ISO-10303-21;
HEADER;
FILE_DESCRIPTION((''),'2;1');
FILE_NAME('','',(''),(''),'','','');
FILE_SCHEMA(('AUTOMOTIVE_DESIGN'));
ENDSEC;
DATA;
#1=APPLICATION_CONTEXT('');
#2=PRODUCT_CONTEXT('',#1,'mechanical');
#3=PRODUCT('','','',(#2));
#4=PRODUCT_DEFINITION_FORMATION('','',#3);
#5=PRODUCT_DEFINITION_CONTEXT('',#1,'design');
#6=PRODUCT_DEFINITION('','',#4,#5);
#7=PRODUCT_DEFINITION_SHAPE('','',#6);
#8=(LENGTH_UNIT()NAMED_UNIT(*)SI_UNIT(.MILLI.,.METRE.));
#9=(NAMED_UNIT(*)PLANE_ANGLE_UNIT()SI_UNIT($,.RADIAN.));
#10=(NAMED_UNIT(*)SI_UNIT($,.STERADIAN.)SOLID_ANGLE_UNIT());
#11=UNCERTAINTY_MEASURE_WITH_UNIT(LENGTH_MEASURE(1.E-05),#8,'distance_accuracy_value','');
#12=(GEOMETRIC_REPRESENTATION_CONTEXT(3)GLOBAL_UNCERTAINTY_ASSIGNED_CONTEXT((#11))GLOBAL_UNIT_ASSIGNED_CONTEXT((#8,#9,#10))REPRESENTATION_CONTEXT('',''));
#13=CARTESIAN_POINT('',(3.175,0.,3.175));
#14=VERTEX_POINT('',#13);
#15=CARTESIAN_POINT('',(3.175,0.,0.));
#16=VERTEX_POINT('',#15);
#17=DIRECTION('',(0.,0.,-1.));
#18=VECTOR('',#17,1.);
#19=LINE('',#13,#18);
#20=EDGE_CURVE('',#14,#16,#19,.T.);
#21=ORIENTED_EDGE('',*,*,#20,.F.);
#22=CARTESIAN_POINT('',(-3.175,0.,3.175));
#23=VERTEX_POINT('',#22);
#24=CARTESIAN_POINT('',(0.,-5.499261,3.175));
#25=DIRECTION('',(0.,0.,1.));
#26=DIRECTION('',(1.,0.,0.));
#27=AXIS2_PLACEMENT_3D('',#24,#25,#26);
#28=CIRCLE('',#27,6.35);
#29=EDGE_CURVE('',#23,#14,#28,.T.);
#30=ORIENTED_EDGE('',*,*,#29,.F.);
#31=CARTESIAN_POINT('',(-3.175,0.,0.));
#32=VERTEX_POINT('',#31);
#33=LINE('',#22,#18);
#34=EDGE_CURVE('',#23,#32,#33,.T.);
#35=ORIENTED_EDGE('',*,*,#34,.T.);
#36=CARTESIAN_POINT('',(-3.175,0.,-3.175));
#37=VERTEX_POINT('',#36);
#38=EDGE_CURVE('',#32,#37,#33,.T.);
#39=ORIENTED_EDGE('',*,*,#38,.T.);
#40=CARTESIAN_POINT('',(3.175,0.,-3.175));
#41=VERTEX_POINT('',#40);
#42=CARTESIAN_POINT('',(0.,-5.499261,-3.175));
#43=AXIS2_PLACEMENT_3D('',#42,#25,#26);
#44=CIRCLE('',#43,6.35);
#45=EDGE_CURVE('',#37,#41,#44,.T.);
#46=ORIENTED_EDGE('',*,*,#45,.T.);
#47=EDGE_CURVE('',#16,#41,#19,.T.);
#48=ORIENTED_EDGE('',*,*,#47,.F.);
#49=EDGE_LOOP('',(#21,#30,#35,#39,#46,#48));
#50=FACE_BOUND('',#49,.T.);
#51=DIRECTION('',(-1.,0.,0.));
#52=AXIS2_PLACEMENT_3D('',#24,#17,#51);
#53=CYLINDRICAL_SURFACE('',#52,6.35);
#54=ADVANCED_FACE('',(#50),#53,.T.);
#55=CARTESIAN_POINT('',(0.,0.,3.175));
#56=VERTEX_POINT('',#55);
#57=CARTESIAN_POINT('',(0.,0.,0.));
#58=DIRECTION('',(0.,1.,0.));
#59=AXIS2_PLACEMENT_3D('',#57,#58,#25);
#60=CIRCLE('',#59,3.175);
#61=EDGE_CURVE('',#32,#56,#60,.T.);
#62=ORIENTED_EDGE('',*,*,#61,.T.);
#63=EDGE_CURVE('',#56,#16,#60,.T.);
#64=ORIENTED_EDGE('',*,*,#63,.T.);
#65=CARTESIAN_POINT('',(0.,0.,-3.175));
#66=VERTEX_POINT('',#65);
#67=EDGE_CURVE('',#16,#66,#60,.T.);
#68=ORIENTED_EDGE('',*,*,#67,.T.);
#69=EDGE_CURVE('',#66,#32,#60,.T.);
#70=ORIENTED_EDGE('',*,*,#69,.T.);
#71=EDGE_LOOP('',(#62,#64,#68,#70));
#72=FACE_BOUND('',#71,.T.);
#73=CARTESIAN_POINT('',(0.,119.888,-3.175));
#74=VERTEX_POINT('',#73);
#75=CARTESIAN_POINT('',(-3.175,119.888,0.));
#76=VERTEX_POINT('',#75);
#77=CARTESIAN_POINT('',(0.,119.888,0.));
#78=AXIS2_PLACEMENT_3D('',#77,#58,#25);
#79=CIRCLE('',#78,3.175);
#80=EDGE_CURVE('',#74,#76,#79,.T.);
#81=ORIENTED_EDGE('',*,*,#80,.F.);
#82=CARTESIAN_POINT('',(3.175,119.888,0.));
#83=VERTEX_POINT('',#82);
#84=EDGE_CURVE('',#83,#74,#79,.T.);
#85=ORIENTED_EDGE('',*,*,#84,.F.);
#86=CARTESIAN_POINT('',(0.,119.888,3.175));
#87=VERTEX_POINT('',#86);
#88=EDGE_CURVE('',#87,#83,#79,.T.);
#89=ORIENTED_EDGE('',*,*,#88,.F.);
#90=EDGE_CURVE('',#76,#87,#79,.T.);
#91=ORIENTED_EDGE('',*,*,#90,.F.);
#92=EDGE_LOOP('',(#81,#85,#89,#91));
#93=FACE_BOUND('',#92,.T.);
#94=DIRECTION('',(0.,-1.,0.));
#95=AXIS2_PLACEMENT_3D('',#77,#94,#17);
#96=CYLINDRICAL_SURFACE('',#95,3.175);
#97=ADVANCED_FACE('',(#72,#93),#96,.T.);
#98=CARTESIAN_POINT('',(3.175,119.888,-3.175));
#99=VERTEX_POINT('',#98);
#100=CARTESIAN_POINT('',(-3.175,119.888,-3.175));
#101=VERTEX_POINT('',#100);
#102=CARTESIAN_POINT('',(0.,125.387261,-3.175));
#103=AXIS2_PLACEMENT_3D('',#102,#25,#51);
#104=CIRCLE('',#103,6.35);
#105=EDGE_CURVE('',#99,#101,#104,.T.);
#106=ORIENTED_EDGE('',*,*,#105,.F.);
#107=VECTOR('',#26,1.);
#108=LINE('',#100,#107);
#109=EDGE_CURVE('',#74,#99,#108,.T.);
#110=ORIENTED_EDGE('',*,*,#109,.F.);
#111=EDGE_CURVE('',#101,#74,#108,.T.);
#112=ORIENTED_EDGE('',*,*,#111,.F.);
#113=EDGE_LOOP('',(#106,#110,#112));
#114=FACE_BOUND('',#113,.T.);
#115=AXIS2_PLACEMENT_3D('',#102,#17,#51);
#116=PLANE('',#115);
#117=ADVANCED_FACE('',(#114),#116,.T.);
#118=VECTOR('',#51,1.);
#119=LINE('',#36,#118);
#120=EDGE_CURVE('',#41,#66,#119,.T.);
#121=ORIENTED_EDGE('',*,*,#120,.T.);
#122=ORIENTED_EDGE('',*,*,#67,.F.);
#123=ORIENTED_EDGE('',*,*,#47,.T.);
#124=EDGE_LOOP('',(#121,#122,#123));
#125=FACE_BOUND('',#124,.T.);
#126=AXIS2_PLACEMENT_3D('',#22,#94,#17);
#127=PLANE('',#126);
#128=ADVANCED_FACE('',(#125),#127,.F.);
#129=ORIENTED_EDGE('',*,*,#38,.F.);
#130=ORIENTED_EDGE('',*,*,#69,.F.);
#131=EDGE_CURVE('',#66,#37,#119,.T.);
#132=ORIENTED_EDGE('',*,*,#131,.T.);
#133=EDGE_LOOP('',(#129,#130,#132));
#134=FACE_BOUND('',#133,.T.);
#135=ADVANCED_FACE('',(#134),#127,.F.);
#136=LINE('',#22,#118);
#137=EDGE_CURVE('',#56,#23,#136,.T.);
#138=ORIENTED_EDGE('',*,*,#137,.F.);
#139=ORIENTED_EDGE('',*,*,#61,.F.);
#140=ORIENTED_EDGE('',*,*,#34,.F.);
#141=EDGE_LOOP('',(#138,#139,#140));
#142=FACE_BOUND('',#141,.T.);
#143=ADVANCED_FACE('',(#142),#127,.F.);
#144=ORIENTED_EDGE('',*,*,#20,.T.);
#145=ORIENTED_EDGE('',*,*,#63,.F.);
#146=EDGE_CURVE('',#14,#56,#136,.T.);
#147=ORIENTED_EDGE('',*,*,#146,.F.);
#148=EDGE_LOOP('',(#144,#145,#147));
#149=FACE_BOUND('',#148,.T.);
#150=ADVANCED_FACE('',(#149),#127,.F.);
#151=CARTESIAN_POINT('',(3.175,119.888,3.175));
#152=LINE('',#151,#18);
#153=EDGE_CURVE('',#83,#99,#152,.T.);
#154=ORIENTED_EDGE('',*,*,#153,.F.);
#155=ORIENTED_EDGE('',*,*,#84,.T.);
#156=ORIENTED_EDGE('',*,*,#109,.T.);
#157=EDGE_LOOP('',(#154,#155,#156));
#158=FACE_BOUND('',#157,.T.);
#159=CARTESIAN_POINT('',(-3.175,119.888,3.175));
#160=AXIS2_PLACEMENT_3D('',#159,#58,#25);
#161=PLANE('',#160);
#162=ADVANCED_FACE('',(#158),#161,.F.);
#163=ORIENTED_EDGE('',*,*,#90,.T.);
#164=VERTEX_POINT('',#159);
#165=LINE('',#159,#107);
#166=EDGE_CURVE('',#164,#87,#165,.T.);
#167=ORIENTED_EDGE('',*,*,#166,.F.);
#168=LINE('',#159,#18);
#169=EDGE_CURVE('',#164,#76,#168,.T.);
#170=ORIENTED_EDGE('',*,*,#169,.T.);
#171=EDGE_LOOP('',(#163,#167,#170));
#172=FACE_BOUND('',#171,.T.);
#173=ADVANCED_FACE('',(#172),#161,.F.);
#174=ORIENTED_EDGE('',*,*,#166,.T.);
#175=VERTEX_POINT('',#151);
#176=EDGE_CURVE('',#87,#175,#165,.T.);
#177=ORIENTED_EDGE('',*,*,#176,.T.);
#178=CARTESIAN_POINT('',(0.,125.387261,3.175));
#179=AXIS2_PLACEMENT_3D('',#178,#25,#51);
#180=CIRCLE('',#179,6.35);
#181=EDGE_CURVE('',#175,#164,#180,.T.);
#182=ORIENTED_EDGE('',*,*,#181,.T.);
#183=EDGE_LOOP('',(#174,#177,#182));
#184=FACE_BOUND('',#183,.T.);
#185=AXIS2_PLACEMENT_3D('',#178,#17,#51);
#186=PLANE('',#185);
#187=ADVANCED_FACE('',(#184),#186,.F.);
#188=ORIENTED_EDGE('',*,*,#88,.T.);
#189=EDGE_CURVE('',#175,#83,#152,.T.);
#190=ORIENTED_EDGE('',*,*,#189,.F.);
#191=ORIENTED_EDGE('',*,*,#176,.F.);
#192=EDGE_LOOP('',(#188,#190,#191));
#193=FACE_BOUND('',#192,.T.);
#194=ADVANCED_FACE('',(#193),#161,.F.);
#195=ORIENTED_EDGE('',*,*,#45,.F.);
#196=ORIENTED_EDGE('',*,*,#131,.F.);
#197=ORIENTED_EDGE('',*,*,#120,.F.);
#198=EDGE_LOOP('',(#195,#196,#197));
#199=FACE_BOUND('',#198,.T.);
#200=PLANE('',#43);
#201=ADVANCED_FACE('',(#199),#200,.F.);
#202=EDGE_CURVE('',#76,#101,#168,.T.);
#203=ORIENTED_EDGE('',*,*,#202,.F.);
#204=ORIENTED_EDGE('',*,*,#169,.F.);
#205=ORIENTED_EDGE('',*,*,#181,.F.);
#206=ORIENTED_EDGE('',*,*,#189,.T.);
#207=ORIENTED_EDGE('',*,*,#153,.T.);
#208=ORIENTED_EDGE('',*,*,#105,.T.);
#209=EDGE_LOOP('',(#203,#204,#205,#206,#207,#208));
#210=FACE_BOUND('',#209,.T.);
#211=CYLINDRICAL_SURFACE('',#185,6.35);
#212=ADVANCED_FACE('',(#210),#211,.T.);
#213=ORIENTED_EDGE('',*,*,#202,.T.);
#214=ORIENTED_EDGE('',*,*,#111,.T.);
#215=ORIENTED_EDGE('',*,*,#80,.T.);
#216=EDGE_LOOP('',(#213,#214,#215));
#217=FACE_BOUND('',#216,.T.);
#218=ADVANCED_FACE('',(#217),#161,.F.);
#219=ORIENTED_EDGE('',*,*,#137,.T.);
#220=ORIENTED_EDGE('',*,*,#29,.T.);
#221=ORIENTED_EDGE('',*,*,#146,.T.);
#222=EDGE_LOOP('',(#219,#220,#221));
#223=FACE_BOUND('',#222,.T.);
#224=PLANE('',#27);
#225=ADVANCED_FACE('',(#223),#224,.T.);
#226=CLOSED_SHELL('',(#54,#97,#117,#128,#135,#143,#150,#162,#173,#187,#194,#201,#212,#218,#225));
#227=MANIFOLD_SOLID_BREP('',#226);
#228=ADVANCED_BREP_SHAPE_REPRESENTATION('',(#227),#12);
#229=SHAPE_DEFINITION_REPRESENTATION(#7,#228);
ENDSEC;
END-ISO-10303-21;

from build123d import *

# Parameters (mm, degrees)
SKETCH1_R         = 3.175
CENTER_ROD_DEPTH  = 119.888
CIRCLE_ENDS_DEPTH = 3.175


with BuildPart() as part:
    # Sketch1 → center rod (new body)
    with BuildSketch(Plane(origin=(0, 0, 0), x_dir=(1, 0, 0), z_dir=(0, 1, 0))):
        with Locations(Location((0, 0, 0), (0, 0, 270))):
            Circle(SKETCH1_R)
    extrude(amount=CENTER_ROD_DEPTH)

    # Sketch2 → circle ends (add, symmetric)
    with BuildSketch(Plane.XY):
        with BuildLine():
            Line((-3.175, 119.888), (3.175, 119.888))
            ThreePointArc((3.175, 119.888), (0, 131.737261314), (-3.175, 119.888))
        make_face()
        with BuildLine():
            Line((-3.175, 0), (3.175, 0))
            ThreePointArc((3.175, 0), (0, -11.849261314), (-3.175, 0))
        make_face()
    extrude(amount=CIRCLE_ENDS_DEPTH, both=True)


solid = part.part
